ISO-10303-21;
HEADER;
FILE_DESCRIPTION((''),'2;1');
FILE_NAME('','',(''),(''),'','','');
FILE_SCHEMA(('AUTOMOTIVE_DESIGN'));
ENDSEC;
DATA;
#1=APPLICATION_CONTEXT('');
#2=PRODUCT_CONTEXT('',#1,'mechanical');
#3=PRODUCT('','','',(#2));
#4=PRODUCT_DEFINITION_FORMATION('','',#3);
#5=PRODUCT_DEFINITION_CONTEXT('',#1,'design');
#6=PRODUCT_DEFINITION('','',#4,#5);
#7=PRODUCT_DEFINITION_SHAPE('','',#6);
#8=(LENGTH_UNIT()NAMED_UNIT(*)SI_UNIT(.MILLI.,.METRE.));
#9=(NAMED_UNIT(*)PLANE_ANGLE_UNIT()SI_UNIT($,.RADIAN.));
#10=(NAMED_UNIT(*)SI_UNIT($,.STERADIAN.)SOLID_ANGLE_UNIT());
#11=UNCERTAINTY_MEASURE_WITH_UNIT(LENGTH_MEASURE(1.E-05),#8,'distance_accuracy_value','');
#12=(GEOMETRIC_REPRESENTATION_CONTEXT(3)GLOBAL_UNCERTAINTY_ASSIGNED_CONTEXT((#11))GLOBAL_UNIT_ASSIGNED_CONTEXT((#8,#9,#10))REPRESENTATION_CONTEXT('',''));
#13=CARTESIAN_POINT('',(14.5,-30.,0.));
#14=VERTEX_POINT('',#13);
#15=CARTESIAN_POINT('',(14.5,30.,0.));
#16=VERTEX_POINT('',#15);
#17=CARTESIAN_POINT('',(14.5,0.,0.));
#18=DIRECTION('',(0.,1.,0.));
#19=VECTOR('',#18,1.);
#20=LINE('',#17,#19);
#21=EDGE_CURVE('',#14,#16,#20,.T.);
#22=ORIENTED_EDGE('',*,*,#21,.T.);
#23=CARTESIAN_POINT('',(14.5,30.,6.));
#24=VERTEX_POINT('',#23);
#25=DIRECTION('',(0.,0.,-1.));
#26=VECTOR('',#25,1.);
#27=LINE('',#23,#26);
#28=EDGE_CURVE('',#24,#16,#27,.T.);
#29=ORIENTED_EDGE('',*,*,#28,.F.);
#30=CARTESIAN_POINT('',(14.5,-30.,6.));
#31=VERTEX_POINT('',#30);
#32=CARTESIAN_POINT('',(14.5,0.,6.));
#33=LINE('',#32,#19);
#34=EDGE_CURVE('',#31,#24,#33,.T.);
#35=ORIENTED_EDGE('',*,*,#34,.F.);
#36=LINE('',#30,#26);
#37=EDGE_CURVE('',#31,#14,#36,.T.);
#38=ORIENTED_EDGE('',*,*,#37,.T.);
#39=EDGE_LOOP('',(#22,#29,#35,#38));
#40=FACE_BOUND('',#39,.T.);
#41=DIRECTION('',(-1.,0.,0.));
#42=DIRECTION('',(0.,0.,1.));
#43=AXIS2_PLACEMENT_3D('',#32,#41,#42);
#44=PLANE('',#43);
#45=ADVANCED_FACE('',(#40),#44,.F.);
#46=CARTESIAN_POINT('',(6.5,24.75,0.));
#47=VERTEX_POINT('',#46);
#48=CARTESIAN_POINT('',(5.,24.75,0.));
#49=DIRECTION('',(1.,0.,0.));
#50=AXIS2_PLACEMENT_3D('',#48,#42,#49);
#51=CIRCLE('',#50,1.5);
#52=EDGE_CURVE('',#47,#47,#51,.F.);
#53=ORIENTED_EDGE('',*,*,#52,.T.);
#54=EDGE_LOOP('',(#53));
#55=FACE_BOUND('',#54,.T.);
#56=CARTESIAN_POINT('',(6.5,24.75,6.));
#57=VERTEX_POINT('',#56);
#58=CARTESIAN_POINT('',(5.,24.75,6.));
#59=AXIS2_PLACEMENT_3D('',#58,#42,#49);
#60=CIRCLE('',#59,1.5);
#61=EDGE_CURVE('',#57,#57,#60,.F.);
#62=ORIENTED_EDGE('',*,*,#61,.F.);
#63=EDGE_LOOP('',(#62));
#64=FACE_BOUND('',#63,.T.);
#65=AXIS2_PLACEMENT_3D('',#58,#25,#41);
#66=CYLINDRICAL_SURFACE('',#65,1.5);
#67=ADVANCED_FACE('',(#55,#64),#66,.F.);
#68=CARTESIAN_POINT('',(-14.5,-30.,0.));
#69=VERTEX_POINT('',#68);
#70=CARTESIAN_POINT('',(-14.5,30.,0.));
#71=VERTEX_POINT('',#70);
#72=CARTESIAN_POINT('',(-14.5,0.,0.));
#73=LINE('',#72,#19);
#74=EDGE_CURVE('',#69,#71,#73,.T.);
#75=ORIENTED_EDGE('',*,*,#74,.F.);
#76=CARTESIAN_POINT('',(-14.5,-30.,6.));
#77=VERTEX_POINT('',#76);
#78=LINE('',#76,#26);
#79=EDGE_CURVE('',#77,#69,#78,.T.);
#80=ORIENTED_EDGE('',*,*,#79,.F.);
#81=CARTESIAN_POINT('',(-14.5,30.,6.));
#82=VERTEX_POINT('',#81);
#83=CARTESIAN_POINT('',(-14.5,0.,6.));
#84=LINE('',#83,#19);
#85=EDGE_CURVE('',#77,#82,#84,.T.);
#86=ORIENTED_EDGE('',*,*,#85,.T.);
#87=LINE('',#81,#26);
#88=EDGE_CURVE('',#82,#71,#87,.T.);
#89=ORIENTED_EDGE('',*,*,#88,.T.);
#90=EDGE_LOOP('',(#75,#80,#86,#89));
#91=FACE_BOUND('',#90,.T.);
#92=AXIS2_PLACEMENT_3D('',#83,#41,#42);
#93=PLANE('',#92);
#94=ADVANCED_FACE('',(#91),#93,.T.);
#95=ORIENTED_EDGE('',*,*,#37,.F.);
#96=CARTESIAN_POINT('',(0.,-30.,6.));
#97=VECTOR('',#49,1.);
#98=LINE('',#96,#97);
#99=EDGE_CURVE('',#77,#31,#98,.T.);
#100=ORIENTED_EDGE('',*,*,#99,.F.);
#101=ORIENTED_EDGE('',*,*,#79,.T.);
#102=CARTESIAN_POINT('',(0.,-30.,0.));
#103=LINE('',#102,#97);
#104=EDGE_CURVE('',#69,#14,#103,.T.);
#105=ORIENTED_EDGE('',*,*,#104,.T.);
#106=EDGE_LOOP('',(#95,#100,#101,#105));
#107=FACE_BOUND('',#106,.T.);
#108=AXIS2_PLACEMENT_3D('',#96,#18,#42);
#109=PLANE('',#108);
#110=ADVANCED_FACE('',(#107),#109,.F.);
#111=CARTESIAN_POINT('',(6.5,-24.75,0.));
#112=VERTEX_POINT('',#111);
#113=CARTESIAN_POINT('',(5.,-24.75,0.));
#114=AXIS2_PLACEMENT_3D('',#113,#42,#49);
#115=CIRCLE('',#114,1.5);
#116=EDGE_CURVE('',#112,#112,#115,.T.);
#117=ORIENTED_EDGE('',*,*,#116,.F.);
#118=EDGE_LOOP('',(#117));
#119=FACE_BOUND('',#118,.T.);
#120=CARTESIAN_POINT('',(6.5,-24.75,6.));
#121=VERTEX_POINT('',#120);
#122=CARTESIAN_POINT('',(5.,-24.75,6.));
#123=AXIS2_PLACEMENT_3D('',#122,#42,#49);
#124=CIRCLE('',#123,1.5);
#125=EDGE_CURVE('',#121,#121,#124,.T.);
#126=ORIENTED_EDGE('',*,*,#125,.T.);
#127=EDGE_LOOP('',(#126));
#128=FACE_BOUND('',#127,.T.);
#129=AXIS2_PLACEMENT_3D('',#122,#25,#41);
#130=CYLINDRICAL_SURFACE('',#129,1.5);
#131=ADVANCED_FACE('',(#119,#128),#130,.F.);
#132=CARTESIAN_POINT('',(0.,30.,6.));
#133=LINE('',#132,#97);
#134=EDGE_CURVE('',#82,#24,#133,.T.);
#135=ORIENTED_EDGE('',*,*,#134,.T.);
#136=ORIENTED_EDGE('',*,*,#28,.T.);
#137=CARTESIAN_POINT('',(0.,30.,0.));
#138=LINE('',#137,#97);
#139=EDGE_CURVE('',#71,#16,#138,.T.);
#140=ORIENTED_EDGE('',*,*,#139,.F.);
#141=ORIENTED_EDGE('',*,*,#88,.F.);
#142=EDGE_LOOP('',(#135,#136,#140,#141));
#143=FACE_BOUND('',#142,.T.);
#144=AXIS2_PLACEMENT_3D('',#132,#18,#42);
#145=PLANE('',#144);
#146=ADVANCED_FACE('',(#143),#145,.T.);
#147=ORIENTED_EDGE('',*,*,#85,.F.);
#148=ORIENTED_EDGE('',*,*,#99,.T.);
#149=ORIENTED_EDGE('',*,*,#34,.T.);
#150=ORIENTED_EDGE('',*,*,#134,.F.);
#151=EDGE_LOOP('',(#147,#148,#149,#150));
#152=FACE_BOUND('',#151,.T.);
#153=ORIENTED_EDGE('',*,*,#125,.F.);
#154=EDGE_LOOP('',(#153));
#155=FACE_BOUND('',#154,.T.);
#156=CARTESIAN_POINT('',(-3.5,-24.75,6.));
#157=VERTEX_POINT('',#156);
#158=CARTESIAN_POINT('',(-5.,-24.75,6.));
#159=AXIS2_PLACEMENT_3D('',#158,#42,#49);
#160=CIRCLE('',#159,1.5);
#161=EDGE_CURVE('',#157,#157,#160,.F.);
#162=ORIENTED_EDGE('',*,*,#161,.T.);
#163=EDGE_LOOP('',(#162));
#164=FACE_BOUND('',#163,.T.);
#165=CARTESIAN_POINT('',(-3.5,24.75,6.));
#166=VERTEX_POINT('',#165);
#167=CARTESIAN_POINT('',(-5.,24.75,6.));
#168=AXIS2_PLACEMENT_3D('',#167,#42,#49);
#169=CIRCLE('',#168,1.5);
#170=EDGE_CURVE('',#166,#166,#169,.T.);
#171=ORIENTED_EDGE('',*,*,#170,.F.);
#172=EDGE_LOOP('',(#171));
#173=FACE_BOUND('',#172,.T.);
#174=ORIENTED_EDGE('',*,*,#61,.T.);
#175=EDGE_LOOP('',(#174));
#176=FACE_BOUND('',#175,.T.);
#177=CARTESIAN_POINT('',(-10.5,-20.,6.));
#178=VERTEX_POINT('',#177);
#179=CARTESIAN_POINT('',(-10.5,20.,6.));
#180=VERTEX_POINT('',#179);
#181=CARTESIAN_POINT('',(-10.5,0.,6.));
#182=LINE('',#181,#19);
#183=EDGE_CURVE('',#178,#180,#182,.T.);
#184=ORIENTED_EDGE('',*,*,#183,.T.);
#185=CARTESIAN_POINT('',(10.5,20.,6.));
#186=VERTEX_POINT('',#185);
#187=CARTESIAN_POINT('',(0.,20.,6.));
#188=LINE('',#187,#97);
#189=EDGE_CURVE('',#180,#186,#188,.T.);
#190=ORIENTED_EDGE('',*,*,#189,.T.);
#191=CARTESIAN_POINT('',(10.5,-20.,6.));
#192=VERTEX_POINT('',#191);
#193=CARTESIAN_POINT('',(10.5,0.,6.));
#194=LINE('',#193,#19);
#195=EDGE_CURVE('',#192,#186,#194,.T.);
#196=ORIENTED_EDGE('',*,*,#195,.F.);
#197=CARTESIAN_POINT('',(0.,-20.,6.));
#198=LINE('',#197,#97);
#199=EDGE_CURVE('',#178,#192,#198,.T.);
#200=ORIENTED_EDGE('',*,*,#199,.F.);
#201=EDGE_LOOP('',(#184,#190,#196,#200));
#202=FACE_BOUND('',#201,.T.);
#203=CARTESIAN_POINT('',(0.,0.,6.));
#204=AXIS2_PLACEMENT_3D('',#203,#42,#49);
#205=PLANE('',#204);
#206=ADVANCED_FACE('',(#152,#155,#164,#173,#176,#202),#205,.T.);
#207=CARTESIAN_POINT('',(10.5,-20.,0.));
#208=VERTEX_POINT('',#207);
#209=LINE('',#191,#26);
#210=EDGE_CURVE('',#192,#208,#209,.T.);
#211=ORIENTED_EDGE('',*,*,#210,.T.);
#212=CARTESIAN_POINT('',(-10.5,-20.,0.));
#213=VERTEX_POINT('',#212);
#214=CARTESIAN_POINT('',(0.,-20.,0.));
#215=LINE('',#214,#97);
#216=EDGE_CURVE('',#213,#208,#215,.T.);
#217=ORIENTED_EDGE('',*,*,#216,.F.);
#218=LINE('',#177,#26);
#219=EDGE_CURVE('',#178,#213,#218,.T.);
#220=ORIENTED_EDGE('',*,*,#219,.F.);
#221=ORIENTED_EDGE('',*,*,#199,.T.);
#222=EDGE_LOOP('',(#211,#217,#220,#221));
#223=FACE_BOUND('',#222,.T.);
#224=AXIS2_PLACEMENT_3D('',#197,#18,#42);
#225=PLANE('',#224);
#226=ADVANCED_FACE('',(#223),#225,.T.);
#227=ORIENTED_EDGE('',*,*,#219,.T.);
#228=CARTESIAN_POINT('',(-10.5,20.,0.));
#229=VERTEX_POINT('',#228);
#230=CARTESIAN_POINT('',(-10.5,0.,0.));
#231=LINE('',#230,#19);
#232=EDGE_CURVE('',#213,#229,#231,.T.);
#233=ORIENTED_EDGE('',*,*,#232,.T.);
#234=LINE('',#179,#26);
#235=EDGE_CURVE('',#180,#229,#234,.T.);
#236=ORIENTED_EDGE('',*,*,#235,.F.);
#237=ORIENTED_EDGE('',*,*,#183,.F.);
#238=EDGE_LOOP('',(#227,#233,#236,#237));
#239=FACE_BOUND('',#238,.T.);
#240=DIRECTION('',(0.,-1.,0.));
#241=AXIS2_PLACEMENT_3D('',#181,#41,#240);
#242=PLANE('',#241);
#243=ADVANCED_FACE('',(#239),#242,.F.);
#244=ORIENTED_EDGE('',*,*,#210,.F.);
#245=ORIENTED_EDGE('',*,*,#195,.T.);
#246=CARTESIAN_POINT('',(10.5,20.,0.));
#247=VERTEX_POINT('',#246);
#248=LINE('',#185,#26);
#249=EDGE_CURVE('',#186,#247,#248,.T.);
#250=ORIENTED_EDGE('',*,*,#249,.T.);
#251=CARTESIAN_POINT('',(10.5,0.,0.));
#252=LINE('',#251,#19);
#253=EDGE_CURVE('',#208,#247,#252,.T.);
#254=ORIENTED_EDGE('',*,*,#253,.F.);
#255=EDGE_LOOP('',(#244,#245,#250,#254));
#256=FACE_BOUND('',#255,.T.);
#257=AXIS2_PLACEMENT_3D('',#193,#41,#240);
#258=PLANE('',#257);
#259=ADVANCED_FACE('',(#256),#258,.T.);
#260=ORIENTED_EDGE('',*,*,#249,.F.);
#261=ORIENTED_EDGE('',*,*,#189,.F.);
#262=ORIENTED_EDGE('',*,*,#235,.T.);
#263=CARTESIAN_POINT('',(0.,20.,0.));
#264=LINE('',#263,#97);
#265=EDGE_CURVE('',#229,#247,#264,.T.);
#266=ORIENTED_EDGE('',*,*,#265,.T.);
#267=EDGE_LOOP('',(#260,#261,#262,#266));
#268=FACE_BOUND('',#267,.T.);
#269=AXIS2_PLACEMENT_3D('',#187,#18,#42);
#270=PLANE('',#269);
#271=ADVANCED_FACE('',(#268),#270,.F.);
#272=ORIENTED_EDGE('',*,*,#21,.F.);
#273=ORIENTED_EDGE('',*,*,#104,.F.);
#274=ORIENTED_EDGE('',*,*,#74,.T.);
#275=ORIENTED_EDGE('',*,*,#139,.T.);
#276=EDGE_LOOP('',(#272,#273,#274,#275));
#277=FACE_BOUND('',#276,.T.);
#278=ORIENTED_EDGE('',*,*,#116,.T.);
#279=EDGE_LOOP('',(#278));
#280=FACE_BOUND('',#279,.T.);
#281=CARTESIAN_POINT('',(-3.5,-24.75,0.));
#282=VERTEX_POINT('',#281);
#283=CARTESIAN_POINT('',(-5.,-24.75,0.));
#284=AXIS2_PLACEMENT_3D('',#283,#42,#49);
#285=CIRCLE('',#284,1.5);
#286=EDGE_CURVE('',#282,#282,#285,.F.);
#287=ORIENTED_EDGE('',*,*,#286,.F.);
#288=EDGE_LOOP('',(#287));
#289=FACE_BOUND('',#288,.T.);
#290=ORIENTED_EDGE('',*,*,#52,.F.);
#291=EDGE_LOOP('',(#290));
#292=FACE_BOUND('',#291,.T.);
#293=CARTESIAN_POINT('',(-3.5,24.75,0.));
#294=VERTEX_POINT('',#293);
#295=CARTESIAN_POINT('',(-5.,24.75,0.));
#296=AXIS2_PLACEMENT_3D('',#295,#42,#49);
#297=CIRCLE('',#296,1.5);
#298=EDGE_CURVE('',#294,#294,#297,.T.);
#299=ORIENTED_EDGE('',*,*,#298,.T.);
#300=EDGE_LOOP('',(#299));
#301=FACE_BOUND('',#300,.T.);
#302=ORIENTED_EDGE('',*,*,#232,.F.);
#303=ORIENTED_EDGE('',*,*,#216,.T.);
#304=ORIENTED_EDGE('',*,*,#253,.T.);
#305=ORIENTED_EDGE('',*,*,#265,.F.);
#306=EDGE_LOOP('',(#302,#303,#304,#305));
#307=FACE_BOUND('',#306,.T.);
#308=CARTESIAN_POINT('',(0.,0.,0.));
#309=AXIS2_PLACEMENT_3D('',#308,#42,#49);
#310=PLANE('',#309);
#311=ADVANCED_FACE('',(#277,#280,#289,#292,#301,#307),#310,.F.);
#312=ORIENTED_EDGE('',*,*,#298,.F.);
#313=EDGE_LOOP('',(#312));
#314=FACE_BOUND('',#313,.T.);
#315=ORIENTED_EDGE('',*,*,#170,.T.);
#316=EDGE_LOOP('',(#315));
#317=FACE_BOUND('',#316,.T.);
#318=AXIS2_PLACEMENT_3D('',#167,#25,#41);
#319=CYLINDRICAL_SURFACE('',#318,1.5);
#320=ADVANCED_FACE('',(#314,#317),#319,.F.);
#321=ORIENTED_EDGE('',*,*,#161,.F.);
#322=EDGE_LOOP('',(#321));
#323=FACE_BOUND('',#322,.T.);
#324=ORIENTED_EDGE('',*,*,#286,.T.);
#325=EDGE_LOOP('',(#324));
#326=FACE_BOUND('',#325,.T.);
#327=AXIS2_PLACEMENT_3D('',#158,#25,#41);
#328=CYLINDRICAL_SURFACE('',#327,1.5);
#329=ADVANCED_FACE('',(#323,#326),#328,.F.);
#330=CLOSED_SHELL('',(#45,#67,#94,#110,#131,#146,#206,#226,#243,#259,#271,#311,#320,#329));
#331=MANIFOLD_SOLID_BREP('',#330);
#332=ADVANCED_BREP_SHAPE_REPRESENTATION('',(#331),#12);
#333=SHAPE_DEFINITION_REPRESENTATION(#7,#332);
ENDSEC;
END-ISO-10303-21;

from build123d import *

# Parameters (mm, degrees)
ESBO_O1_W                = 29
ESBO_O1_H                = 60
ESBO_O1_R                = 1.5
ESBO_O1_W_2              = 21
ESBO_O1_H_2              = 40
RESSALTO_EXTRUS_O1_DEPTH = 6


with BuildPart() as part:
    # Esboço1 → Ressalto-extrusão1 (new body)
    with BuildSketch(Plane.XY):
        Rectangle(ESBO_O1_W, ESBO_O1_H)
        with Locations((5, 24.75)):
            Circle(ESBO_O1_R, mode=Mode.SUBTRACT)
        with Locations((-5, 24.75)):
            Circle(ESBO_O1_R, mode=Mode.SUBTRACT)
        with Locations((5, -24.75)):
            Circle(ESBO_O1_R, mode=Mode.SUBTRACT)
        with Locations((-5, -24.75)):
            Circle(ESBO_O1_R, mode=Mode.SUBTRACT)
        Rectangle(ESBO_O1_W_2, ESBO_O1_H_2, mode=Mode.SUBTRACT)
    extrude(amount=RESSALTO_EXTRUS_O1_DEPTH)


solid = part.part
